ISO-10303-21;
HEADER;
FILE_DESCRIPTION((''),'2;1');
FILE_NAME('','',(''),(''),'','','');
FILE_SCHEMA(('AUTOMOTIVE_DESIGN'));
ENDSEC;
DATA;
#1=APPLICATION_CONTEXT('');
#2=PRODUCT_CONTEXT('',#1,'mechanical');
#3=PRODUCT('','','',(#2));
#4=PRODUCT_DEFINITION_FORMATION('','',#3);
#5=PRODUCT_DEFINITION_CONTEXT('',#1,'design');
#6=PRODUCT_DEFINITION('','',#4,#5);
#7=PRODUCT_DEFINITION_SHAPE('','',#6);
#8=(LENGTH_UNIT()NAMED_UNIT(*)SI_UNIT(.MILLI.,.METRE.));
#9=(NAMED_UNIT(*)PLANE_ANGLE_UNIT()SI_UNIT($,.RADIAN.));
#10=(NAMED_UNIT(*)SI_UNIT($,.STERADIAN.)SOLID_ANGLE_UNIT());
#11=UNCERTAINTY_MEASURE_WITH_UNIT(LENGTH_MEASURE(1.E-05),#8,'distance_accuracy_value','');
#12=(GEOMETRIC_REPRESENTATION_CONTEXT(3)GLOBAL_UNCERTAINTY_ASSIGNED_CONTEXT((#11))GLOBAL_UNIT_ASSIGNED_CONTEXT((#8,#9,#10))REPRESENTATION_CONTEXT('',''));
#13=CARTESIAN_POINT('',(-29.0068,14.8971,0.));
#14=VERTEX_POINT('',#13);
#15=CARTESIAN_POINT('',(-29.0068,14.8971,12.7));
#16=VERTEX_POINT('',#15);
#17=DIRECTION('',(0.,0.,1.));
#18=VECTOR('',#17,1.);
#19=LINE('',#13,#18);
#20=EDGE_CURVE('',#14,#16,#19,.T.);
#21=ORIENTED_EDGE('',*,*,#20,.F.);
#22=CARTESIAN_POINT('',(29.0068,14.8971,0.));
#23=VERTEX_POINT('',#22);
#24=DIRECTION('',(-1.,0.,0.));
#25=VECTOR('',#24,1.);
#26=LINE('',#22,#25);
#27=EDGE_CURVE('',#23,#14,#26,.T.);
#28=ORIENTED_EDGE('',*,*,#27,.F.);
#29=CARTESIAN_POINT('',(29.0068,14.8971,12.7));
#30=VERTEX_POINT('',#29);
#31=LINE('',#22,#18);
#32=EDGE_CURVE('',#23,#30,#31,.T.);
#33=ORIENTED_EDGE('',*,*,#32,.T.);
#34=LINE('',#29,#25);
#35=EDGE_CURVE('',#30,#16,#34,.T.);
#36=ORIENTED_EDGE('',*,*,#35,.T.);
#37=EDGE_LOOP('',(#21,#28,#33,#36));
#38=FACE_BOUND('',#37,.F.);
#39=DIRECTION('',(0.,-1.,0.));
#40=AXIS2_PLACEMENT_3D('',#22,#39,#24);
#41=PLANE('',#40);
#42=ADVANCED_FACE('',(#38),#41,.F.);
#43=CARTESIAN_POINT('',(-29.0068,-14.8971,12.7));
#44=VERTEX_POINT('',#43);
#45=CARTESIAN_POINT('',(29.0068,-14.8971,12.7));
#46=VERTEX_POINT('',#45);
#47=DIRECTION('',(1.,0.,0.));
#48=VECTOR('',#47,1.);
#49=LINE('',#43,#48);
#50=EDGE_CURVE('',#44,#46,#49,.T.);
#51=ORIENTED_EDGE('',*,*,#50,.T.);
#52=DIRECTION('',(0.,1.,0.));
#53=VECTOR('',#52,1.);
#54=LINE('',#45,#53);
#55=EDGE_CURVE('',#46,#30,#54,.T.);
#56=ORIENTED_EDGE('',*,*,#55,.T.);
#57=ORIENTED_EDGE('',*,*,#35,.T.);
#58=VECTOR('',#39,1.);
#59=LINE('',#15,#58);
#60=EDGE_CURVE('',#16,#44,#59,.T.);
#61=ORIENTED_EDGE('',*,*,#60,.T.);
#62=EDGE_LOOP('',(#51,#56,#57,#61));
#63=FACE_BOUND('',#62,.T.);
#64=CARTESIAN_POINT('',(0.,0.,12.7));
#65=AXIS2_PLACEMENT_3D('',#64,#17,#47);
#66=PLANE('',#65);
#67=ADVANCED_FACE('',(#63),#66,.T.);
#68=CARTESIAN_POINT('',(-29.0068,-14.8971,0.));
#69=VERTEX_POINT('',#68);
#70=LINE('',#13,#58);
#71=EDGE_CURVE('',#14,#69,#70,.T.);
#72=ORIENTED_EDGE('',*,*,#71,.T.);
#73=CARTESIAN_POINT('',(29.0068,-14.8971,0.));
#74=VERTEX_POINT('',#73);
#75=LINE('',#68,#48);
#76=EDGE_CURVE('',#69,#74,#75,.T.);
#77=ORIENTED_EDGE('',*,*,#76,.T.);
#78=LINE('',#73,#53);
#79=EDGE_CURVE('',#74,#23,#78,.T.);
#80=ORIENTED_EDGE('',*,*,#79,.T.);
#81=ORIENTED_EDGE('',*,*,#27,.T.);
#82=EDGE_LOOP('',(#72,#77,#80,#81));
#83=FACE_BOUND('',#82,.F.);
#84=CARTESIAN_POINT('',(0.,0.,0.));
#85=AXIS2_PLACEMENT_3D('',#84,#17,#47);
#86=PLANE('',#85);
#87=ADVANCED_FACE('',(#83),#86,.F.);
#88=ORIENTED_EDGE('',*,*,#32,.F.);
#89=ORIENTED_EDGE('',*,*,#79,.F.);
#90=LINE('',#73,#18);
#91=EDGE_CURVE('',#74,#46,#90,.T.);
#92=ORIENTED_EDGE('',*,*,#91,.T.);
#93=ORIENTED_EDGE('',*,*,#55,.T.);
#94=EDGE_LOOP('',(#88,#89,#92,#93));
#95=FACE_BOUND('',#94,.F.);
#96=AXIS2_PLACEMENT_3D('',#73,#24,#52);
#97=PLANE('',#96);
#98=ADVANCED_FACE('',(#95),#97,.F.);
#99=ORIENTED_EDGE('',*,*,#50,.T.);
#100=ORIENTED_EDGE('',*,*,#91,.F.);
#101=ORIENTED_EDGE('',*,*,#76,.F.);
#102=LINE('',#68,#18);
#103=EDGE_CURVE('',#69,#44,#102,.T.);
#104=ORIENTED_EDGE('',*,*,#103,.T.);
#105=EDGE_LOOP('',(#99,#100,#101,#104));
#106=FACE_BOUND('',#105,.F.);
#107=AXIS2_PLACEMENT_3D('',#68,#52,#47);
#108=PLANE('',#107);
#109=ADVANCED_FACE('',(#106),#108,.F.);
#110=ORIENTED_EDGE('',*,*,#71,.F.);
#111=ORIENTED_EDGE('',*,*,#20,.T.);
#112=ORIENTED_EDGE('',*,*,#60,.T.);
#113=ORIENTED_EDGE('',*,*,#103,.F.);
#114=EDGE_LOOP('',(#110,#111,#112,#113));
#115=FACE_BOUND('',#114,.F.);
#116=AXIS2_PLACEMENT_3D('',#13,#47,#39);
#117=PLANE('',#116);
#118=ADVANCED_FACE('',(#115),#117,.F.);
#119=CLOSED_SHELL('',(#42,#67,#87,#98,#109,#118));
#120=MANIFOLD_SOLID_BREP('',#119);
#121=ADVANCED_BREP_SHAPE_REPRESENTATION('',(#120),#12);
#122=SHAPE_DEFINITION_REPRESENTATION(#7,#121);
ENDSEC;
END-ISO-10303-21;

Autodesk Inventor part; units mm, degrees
ref_plane "YZ Plane" through (0, 0, 0) normal (1, 0, 0) x (0, 1, 0)
ref_plane "XZ Plane" through (0, 0, 0) normal (0, 1, 0) x (-1, 0, 0)
ref_plane "XY Plane" through (0, 0, 0) normal (0, 0, 1) x (1, 0, 0)
sketch "Sketch1" plane through (0, 0, 0) normal (0, 0, 1) x (1, 0, 0)
  line L0 (-29.0068, -14.8971) -> (29.0068, -14.8971)
  line L1 (29.0068, -14.8971) -> (29.0068, 14.8971)
  line L2 (29.0068, 14.8971) -> (-29.0068, 14.8971)
  line L3 (-29.0068, 14.8971) -> (-29.0068, -14.8971)
  line L4 (-29.0068, -14.8971) -> (29.0068, 14.8971) construction
  line L5 (29.0068, -14.8971) -> (-29.0068, 14.8971) construction
  point P0 (0, 0)
  dimension "d0" = 29.7942
  dimension "d1" = 58.0136
extrude "Extrusion1" add sketch "Sketch1" along normal blind 12.7
properties part number "battery sumo jeffrey p"
